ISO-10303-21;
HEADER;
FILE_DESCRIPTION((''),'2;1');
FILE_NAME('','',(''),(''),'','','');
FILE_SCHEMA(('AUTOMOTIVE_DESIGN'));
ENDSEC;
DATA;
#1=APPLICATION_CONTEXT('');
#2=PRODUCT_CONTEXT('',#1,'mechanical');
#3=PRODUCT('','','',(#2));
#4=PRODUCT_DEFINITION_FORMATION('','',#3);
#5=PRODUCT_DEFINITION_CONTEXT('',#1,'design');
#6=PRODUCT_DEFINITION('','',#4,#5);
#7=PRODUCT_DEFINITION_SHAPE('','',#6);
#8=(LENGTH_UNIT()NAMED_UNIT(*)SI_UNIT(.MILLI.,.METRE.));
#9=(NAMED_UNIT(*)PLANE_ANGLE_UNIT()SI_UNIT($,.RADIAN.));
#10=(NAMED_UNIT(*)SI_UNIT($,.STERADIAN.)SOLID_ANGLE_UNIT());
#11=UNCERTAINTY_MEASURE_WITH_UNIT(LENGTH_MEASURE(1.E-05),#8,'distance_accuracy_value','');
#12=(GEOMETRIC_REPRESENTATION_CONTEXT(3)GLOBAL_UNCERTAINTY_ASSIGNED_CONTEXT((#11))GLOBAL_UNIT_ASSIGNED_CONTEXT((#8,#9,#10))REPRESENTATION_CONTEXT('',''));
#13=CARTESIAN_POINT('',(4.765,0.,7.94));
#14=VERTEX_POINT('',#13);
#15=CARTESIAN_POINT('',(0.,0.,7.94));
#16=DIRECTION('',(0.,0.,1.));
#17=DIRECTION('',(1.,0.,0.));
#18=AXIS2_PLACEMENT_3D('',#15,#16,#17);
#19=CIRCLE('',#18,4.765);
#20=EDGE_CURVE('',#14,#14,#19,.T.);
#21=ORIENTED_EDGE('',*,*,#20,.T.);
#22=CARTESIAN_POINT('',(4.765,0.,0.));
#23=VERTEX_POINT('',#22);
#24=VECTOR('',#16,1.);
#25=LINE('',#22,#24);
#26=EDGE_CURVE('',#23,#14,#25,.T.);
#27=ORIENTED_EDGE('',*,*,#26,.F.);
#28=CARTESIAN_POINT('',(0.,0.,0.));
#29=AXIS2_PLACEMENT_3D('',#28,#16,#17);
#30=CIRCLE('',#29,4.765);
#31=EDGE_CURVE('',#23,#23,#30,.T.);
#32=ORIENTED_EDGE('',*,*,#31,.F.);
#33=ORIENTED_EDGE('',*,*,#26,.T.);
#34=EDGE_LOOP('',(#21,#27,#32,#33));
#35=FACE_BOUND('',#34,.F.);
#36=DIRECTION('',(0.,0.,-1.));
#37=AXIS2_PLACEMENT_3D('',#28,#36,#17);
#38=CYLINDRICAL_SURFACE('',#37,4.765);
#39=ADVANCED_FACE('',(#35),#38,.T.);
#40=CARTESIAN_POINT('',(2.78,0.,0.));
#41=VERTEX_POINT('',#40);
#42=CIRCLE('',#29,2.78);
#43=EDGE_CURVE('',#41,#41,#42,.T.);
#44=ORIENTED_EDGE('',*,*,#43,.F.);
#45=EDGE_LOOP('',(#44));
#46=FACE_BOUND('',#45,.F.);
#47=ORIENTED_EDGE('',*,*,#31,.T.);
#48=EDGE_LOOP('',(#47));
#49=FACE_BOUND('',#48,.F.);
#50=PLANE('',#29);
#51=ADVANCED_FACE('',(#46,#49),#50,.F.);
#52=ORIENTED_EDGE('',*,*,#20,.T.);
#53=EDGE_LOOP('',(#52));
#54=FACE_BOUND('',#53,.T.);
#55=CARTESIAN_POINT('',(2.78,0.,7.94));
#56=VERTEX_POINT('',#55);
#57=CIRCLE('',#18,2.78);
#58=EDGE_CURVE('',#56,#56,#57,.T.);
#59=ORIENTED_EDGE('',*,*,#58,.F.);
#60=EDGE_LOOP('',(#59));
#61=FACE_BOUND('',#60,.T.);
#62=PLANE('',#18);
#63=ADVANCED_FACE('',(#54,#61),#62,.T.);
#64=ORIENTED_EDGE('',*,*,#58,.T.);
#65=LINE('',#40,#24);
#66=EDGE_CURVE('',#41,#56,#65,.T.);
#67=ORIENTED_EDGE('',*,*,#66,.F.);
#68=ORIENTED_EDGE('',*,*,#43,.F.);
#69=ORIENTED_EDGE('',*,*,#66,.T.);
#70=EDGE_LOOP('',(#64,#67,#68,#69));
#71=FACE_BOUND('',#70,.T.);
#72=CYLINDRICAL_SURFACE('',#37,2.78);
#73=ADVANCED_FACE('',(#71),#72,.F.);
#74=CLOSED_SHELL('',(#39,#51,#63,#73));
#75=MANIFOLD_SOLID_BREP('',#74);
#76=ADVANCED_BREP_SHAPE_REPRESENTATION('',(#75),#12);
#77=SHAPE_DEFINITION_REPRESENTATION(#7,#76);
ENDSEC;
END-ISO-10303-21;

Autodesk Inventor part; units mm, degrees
ref_plane "YZ Plane" through (0, 0, 0) normal (1, 0, 0) x (0, 1, 0)
ref_plane "XZ Plane" through (0, 0, 0) normal (0, 1, 0) x (-1, 0, 0)
ref_plane "XY Plane" through (0, 0, 0) normal (0, 0, 1) x (1, 0, 0)
sketch "Sketch1" plane through (0, 0, 0) normal (0, 0, 1) x (1, 0, 0)
  circle A0 centre (0, 0) radius 2.78
  circle A1 centre (0, 0) radius 4.765
  dimension "d0" = 5.56
  dimension "d1" = 9.53
extrude "Extrusion1" add sketch "Sketch1" along normal blind 7.94
properties part number "AS38-12-20" material "Aluminum 6061"
